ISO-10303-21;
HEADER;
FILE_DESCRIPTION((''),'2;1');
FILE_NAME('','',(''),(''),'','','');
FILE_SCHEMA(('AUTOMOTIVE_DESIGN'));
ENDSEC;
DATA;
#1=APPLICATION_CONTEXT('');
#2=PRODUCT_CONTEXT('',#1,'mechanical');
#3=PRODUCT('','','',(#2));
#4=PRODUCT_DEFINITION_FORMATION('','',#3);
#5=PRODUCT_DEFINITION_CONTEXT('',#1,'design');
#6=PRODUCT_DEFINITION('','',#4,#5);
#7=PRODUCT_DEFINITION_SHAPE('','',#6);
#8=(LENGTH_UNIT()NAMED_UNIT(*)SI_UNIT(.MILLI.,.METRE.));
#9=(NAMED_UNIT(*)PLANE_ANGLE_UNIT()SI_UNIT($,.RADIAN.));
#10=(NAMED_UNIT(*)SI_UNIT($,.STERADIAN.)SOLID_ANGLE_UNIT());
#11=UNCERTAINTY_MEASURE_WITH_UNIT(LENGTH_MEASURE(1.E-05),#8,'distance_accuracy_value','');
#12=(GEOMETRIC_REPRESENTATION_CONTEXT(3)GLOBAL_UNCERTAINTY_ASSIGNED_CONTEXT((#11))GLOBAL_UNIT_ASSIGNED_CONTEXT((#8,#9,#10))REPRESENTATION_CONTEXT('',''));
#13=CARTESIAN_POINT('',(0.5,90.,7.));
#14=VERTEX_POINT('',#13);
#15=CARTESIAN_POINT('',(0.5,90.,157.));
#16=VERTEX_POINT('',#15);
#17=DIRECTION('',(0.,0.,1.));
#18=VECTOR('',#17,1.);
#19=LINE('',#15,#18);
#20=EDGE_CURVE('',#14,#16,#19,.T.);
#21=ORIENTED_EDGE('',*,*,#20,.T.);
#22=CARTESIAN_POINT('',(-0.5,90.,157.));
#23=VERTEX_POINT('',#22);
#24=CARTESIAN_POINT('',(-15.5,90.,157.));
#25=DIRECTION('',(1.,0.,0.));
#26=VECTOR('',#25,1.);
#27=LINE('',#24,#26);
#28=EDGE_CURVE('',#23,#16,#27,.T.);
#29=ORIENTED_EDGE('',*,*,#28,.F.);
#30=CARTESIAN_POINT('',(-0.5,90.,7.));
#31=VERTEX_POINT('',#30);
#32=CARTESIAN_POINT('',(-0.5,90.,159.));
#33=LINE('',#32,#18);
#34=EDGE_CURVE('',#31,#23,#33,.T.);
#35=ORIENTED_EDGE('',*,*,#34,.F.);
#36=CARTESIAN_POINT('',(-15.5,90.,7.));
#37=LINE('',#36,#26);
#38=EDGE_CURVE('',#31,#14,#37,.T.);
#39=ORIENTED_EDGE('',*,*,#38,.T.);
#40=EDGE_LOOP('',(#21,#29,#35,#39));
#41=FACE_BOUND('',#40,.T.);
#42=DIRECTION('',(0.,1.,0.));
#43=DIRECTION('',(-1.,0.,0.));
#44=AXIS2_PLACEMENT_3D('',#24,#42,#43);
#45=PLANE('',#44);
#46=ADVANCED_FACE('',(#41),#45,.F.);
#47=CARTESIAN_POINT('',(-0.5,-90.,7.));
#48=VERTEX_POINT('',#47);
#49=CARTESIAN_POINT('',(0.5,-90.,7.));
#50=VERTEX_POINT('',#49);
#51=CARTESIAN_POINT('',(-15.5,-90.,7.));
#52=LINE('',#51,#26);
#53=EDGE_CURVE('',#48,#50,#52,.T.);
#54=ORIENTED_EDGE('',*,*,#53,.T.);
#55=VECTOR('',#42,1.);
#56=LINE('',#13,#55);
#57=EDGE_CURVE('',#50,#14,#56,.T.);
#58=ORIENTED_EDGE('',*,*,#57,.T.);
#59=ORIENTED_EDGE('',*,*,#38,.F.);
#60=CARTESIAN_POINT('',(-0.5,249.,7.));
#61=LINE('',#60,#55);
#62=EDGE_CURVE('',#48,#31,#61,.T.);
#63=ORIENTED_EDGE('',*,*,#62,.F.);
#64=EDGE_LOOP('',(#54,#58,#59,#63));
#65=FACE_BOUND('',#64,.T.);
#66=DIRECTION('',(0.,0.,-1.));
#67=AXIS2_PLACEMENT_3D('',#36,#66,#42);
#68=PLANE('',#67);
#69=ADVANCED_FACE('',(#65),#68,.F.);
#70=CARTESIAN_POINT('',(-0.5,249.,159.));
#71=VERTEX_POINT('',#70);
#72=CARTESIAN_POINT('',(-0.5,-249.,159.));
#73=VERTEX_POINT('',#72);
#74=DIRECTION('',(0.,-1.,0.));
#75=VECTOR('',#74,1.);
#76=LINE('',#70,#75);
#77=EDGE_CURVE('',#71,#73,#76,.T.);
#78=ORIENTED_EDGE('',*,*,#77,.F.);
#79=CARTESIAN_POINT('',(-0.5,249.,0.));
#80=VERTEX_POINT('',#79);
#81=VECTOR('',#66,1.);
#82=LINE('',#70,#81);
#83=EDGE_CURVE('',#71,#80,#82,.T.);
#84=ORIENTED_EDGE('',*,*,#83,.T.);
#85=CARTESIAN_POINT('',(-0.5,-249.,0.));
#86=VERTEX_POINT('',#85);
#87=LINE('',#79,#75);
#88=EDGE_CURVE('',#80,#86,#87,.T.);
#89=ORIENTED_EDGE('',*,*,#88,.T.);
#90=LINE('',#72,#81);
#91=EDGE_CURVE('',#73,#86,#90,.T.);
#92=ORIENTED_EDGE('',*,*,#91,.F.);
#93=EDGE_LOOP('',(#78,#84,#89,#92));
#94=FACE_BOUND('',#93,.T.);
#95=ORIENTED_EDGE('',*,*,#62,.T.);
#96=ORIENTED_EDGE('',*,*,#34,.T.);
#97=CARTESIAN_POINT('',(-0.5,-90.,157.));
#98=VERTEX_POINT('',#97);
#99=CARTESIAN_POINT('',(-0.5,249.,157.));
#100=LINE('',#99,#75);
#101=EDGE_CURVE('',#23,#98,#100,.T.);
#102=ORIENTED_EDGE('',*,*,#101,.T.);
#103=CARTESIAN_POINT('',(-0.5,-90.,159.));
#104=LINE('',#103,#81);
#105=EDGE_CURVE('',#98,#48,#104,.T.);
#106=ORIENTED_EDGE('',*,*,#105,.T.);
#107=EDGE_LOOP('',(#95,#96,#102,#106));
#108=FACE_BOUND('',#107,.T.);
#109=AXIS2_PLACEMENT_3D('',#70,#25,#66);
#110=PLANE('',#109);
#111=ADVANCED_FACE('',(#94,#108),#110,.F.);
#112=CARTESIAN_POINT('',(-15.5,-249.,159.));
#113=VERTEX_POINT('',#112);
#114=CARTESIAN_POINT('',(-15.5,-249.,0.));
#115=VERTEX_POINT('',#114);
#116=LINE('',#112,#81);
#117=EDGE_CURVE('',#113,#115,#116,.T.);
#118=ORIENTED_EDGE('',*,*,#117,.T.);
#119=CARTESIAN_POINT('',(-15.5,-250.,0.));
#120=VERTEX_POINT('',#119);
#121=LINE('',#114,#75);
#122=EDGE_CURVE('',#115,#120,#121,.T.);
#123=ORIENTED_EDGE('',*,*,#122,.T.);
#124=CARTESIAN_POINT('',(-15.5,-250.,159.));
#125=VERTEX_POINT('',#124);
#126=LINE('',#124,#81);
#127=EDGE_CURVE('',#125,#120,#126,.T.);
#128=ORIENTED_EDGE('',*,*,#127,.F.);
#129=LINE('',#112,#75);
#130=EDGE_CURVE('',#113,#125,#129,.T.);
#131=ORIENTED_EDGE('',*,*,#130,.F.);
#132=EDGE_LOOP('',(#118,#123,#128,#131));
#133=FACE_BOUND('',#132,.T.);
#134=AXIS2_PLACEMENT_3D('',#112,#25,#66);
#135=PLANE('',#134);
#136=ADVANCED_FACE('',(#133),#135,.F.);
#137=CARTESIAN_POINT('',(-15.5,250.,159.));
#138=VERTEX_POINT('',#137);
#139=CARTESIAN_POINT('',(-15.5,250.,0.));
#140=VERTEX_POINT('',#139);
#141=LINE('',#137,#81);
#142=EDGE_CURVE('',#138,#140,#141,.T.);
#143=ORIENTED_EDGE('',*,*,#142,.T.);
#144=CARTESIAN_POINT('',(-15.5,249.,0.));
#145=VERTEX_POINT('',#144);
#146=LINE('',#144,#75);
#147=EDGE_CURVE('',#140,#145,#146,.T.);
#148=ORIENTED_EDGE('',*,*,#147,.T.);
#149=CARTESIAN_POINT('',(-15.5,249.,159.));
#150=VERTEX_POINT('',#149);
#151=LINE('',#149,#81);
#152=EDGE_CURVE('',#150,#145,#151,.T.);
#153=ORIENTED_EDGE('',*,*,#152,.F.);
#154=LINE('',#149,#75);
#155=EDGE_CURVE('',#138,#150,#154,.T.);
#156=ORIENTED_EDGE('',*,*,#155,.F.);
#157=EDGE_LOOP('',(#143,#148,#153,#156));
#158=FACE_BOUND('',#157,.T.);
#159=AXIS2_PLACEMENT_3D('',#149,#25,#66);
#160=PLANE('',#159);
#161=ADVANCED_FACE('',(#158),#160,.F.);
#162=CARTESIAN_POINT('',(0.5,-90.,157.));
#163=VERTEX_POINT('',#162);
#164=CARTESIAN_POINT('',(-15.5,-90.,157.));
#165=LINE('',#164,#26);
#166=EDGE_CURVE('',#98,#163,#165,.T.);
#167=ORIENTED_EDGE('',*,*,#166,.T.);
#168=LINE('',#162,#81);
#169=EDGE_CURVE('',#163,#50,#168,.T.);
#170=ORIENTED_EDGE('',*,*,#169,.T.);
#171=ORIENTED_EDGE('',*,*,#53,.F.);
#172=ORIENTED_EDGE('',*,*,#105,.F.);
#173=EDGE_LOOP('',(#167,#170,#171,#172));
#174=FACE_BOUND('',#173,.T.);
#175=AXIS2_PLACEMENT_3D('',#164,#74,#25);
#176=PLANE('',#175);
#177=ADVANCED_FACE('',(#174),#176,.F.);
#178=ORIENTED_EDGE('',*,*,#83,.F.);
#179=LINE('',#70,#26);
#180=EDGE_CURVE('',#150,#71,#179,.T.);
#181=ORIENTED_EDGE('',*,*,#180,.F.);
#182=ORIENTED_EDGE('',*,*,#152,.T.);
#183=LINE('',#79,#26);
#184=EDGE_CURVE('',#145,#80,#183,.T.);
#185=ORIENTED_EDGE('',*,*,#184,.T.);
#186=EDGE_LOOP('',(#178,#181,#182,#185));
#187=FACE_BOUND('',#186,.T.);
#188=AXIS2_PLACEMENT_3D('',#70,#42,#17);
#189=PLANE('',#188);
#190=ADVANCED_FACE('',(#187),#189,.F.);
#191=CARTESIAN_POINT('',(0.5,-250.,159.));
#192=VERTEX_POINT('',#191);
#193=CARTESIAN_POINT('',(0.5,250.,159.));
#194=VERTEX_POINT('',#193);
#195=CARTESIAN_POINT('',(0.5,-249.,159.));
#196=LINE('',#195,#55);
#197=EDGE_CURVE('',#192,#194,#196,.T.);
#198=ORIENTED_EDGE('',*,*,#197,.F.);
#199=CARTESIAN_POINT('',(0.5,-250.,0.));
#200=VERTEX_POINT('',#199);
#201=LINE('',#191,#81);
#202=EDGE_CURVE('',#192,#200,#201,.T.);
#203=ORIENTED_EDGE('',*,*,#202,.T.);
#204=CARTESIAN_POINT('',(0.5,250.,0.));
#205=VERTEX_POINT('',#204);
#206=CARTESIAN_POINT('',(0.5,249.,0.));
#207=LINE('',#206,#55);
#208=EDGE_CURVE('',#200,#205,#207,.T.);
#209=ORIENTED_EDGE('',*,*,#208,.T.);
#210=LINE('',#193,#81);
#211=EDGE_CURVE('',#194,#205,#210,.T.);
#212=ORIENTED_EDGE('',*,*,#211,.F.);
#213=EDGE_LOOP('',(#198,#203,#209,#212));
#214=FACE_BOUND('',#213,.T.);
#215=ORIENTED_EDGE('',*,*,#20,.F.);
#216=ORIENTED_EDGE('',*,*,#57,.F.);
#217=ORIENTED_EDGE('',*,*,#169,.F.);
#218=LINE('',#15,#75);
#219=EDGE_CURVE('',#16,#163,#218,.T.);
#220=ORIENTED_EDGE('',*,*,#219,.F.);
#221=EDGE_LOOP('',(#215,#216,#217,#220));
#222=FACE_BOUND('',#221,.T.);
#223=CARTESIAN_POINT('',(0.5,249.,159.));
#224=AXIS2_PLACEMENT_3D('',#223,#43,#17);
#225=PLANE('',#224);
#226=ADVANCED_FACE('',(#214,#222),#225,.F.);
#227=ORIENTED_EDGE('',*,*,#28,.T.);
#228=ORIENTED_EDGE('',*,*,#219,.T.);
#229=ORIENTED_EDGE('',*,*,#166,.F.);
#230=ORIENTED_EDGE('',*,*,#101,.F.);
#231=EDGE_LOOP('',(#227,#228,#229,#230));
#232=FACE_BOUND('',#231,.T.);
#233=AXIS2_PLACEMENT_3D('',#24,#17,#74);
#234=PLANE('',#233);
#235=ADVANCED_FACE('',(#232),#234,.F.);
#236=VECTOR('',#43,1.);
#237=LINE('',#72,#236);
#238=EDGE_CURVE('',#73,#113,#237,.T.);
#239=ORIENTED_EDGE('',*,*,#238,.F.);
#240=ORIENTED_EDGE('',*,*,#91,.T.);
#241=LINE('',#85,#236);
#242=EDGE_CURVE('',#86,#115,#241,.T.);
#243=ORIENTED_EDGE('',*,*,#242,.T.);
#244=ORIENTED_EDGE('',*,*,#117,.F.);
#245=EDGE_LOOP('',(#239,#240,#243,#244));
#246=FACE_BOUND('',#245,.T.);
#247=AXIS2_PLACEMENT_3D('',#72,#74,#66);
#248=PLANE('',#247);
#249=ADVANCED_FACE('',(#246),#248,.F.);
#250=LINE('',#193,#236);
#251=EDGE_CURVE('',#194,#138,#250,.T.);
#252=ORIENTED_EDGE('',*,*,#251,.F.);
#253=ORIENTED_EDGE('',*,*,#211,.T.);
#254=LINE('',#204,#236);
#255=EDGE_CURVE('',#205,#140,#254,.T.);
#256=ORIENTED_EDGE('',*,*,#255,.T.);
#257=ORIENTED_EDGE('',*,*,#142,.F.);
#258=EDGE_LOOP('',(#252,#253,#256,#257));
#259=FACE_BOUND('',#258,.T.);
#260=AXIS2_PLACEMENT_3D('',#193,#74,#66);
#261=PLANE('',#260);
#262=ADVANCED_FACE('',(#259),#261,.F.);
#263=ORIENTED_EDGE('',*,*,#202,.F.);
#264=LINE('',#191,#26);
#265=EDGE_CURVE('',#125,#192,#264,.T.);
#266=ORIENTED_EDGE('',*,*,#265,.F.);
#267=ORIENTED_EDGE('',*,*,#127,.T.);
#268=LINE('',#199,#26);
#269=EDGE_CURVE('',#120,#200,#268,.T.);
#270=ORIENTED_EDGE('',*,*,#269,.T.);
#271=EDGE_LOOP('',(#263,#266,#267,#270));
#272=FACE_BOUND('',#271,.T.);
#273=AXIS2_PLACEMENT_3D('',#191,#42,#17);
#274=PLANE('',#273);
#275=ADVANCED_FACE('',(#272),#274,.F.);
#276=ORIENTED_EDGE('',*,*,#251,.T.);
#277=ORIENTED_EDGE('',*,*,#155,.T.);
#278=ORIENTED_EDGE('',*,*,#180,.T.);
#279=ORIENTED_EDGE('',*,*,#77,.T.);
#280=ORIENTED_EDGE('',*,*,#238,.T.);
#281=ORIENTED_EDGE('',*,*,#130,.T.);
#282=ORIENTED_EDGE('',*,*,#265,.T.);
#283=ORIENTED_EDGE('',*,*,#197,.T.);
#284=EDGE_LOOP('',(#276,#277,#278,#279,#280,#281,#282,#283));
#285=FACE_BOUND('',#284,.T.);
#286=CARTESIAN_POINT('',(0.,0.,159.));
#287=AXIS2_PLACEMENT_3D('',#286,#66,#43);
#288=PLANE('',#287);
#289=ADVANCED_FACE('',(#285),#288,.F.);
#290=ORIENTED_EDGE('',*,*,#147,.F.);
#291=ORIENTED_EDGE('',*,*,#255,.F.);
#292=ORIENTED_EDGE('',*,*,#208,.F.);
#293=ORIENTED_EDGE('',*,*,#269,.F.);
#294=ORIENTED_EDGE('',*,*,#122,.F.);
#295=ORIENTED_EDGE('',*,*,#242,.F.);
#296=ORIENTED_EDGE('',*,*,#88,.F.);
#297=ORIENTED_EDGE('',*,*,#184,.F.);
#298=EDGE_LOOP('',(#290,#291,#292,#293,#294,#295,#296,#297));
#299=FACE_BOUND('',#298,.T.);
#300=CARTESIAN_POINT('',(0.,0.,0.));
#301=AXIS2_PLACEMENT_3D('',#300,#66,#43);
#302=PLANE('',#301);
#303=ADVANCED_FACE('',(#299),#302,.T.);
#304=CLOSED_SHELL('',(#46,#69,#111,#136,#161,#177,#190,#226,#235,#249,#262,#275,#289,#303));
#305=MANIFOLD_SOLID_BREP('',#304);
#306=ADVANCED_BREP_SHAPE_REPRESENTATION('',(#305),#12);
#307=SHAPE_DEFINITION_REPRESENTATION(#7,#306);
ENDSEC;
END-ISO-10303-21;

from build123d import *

# Parameters (mm, degrees)
BOSS_EXTRUDE1_DEPTH = 159
SKETCH3_W           = 150
SKETCH3_H           = 180
CUT_EXTRUDE1_DEPTH  = 17


with BuildPart() as part:
    # Sketch1 → Boss-Extrude1 (new body)
    with BuildSketch(Plane.XY):
        Polygon((-0.5, -249), (-15.5, -249), (-15.5, -250), (0.5, -250), (0.5, -249), (0.5, 249), (0.5, 250), (-15.5, 250), (-15.5, 249), (-0.5, 249), align=None)
    extrude(amount=BOSS_EXTRUDE1_DEPTH)

    # Sketch3 → Cut-Extrude1 (cut, through all)
    with BuildSketch(Plane(origin=(0.5, 0, 0), x_dir=(0, 0, -1), z_dir=(1, 0, 0))):
        with Locations((-82, 0)):
            Rectangle(SKETCH3_W, SKETCH3_H)
    extrude(amount=-CUT_EXTRUDE1_DEPTH, mode=Mode.SUBTRACT)


solid = part.part
